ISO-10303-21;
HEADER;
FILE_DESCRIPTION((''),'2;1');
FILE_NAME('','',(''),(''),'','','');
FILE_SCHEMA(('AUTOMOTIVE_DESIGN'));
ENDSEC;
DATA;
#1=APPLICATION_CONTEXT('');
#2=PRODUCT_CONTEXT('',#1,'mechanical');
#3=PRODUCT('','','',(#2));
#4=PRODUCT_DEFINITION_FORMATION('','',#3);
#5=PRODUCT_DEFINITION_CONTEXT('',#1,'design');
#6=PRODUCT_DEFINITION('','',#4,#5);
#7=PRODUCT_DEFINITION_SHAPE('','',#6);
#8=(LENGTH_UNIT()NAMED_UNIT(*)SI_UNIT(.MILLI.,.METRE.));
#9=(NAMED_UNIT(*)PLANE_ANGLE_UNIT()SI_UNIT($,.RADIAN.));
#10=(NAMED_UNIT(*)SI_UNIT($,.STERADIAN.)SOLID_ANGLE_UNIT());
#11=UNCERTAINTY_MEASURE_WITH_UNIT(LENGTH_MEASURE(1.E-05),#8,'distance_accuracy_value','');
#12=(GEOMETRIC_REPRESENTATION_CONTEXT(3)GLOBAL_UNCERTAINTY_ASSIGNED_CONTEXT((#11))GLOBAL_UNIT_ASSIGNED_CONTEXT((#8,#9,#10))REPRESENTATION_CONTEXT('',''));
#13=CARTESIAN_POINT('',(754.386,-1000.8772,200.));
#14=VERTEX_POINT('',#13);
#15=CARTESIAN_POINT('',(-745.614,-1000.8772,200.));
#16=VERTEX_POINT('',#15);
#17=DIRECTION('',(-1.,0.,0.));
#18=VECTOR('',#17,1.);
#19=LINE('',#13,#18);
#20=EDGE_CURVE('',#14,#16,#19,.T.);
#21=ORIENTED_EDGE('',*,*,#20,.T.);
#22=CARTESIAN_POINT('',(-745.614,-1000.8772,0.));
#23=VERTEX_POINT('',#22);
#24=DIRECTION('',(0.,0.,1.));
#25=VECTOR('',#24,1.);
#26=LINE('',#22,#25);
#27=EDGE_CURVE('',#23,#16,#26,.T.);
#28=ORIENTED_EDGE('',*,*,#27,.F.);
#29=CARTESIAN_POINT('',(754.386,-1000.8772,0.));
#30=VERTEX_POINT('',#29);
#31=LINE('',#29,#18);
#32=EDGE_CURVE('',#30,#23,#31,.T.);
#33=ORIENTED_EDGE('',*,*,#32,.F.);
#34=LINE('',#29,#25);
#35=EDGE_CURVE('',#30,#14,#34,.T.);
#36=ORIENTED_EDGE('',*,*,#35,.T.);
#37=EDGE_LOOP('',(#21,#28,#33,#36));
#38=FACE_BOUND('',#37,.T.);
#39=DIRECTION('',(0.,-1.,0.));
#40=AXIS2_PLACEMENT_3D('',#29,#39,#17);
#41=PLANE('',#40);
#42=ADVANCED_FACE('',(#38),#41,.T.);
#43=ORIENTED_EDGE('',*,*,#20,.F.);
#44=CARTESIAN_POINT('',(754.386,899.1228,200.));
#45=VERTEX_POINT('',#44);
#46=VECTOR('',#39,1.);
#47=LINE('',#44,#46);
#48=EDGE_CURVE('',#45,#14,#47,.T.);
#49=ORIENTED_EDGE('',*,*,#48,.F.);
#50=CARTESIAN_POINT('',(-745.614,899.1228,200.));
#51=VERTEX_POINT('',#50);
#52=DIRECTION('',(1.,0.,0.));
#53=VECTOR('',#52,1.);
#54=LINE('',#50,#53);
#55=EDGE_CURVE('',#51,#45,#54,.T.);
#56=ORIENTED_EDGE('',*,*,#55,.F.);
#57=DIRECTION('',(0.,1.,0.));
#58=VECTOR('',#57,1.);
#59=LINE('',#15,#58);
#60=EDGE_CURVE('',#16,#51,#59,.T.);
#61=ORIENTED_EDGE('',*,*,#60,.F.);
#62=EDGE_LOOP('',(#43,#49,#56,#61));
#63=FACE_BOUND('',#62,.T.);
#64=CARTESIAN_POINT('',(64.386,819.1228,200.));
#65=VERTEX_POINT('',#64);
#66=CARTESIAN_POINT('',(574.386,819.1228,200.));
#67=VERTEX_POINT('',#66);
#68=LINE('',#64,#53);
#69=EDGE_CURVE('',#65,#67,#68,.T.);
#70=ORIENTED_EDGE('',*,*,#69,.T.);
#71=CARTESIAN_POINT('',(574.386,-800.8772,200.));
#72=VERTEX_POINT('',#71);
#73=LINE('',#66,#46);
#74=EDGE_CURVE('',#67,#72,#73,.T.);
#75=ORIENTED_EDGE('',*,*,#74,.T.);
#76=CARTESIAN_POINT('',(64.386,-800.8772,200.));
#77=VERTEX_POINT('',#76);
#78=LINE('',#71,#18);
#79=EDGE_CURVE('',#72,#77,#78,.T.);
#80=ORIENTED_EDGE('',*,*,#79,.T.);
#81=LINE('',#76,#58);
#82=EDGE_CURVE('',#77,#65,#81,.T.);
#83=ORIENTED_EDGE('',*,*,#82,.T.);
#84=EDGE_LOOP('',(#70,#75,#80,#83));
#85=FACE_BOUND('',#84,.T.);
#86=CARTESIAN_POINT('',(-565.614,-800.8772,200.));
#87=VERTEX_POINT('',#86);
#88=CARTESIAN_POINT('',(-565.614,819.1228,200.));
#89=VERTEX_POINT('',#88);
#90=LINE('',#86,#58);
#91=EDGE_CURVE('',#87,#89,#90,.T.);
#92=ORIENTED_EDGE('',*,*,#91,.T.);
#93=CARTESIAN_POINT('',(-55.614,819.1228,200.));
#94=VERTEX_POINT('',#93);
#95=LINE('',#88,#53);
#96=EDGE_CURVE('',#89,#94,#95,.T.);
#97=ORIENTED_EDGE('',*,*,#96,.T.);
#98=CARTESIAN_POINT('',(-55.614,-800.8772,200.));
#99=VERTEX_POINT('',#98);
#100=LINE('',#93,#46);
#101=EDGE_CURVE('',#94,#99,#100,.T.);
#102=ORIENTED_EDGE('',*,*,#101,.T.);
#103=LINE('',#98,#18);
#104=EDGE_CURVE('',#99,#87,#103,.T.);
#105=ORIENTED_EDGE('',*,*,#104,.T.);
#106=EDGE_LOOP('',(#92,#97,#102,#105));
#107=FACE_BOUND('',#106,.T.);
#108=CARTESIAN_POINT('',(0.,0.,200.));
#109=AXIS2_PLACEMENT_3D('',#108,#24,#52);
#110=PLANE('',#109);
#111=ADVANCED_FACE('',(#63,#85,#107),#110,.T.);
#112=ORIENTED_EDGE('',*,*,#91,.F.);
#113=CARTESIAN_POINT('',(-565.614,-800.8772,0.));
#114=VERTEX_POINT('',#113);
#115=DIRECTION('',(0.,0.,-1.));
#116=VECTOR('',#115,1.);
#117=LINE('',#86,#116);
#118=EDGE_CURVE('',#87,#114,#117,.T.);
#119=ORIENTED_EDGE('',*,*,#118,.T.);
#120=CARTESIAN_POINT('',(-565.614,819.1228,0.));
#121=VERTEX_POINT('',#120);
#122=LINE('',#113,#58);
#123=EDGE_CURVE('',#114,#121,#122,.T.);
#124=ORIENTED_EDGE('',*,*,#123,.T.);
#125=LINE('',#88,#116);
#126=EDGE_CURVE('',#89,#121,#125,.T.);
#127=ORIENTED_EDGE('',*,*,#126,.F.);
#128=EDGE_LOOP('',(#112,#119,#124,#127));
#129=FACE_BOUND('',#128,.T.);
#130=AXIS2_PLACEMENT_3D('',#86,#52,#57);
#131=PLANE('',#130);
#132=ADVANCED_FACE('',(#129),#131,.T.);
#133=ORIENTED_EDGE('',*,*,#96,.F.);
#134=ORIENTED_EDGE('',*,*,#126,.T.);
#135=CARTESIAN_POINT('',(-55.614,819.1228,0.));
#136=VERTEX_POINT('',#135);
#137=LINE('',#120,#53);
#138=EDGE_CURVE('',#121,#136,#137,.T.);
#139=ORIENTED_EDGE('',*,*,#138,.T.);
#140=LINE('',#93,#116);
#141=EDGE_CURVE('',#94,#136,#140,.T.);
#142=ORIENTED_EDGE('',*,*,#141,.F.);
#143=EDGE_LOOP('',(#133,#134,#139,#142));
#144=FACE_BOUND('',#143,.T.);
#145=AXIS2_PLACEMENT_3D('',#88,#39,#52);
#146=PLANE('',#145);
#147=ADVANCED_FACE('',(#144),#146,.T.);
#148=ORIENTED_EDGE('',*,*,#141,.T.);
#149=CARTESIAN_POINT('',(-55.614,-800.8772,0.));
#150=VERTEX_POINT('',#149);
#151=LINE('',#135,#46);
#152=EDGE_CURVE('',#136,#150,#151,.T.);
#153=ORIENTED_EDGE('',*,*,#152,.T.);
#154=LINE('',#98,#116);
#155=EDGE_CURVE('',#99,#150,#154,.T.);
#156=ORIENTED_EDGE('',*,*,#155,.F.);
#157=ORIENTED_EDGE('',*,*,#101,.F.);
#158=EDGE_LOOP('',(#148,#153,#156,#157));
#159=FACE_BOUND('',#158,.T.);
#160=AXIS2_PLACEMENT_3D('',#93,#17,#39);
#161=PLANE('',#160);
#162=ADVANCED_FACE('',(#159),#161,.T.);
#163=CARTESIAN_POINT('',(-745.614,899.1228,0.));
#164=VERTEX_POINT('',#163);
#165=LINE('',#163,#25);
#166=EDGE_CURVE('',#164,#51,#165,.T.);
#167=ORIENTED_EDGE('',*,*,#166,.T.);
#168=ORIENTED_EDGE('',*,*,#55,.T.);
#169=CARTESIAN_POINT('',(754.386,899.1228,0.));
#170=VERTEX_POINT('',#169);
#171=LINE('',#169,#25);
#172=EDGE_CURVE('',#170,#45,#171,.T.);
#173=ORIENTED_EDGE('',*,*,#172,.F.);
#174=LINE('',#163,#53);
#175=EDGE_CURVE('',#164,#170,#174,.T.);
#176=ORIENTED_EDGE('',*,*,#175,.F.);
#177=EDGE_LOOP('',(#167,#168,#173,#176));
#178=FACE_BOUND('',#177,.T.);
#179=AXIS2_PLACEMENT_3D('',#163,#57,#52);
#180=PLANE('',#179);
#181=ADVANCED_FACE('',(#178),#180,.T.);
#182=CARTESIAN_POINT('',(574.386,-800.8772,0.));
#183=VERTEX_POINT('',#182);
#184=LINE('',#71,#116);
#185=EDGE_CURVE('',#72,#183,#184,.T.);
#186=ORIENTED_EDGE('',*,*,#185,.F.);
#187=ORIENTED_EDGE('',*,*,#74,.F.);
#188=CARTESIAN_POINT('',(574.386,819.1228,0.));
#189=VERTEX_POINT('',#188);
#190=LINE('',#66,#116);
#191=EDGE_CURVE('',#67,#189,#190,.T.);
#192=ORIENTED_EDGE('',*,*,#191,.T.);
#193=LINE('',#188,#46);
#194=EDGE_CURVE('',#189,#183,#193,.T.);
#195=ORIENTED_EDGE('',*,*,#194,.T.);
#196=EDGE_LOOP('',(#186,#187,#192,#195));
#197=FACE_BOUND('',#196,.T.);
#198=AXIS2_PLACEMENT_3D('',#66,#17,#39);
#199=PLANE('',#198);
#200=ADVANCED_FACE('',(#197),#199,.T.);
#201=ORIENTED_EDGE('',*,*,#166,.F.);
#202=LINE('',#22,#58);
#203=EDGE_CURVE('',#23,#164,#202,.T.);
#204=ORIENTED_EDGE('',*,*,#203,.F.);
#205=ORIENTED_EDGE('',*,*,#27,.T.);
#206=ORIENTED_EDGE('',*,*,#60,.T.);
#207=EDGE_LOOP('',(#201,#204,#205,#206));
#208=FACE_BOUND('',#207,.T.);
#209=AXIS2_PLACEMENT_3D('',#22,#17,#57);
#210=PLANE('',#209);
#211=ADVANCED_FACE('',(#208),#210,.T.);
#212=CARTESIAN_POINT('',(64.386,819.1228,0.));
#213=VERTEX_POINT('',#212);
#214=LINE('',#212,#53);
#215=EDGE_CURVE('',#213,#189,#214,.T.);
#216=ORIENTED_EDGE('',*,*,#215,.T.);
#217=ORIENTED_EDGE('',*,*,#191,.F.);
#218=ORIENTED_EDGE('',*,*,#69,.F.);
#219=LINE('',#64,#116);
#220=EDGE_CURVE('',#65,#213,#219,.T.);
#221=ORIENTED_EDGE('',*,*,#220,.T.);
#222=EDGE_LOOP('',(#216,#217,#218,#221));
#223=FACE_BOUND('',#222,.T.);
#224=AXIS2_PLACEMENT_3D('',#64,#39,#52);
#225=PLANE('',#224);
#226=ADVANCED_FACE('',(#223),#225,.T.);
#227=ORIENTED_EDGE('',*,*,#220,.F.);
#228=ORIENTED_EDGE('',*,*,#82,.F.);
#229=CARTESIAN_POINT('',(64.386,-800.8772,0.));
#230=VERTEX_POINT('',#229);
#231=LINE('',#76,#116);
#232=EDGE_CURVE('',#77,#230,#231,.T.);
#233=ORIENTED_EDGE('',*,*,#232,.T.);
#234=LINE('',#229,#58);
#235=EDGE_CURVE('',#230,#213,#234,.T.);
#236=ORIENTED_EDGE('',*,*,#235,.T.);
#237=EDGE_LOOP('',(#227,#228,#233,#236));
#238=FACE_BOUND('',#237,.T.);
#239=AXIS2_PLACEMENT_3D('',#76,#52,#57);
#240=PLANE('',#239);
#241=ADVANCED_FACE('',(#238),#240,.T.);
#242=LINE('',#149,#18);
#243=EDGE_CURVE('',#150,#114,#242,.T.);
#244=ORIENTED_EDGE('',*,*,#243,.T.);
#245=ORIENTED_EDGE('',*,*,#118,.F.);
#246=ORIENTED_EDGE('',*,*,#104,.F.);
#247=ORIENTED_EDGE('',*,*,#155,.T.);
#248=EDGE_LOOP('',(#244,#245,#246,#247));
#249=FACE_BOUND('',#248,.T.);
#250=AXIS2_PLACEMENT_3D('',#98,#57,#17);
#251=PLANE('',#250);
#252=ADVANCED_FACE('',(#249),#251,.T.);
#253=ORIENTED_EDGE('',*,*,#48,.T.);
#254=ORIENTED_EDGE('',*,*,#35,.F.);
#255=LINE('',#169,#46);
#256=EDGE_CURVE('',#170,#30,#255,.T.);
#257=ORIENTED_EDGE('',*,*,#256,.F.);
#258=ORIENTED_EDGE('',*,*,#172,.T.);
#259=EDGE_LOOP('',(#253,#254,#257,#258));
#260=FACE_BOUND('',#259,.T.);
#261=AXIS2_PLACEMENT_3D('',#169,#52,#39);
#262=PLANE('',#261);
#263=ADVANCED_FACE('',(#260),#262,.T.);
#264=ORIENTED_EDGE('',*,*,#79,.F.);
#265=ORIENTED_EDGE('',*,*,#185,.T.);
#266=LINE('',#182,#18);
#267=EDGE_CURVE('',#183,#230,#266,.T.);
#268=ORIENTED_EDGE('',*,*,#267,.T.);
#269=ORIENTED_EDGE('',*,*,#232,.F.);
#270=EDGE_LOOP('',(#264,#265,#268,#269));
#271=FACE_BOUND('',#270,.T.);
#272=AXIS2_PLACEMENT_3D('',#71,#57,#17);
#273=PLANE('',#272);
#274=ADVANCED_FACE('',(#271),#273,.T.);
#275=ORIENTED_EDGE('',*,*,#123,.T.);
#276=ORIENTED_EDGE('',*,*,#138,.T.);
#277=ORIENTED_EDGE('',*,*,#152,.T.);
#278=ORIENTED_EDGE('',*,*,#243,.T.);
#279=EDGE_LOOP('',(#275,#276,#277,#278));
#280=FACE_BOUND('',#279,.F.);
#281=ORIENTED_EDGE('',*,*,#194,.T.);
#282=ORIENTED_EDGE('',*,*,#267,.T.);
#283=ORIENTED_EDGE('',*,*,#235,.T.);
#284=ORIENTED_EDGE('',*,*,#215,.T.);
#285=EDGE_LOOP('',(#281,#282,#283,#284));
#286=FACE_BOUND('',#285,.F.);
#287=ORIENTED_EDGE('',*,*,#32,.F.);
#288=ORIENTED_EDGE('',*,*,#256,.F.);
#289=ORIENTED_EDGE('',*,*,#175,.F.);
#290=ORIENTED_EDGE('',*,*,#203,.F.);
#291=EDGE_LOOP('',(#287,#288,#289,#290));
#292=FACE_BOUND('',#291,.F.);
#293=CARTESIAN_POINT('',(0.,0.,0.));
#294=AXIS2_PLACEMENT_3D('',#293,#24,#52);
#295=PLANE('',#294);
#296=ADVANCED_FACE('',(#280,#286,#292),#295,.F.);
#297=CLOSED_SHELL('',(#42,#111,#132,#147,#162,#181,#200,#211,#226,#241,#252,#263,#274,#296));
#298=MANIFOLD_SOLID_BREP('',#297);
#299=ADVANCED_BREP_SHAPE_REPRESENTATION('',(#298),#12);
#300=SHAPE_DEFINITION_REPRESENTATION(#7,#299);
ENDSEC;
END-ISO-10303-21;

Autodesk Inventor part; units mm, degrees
ref_plane "YZ Plane" through (0, 0, 0) normal (1, 0, 0) x (0, 1, 0)
ref_plane "XZ Plane" through (0, 0, 0) normal (0, 1, 0) x (-1, 0, 0)
ref_plane "XY Plane" through (0, 0, 0) normal (0, 0, 1) x (1, 0, 0)
sketch "Esquisse1" plane through (0, 0, 0) normal (0, 0, 1) x (1, 0, 0)
  line L0 (-745.614, 899.1228) -> (754.386, 899.1228)
  line L1 (754.386, 899.1228) -> (754.386, -1000.8772)
  line L2 (754.386, -1000.8772) -> (-745.614, -1000.8772)
  line L3 (-745.614, -1000.8772) -> (-745.614, 899.1228)
  point P0 (0, 0)
  dimension "d0" = 1500
  dimension "d1" = 1900
extrude "Extrusion1" add sketch "Esquisse1" along normal blind 200
sketch "Esquisse2" plane through (0, 0, 200) normal (0, 0, 1) x (1, 0, 0)
  line L0 (-565.614, 819.1228) -> (-55.614, 819.1228)
  line L1 (-55.614, 819.1228) -> (-55.614, -800.8772)
  line L2 (-55.614, -800.8772) -> (-565.614, -800.8772)
  line L3 (-565.614, -800.8772) -> (-565.614, 819.1228)
  line L4 (64.386, 819.1228) -> (574.386, 819.1228)
  line L5 (574.386, 819.1228) -> (574.386, -800.8772)
  line L6 (574.386, -800.8772) -> (64.386, -800.8772)
  line L7 (64.386, -800.8772) -> (64.386, 819.1228)
  line L8 (-745.614, 899.1228) -> (-745.614, -1000.8772) projected
  line L9 (754.386, -1000.8772) -> (754.386, 899.1228) projected
  line L10 (-745.614, -1000.8772) -> (754.386, -1000.8772) projected
  point P0 (0, 0)
  dimension "d4" = 510
  dimension "d5" = 510
  dimension "d6" = 1620
  dimension "d7" = 1620
  dimension "d8" = 180
  dimension "d9" = 180
  dimension "d10" = 200
extrude "Extrusion2" cut sketch "Esquisse2" against normal blind 200
properties part number "Fenetre-Bords" material "Plastique ABS"
